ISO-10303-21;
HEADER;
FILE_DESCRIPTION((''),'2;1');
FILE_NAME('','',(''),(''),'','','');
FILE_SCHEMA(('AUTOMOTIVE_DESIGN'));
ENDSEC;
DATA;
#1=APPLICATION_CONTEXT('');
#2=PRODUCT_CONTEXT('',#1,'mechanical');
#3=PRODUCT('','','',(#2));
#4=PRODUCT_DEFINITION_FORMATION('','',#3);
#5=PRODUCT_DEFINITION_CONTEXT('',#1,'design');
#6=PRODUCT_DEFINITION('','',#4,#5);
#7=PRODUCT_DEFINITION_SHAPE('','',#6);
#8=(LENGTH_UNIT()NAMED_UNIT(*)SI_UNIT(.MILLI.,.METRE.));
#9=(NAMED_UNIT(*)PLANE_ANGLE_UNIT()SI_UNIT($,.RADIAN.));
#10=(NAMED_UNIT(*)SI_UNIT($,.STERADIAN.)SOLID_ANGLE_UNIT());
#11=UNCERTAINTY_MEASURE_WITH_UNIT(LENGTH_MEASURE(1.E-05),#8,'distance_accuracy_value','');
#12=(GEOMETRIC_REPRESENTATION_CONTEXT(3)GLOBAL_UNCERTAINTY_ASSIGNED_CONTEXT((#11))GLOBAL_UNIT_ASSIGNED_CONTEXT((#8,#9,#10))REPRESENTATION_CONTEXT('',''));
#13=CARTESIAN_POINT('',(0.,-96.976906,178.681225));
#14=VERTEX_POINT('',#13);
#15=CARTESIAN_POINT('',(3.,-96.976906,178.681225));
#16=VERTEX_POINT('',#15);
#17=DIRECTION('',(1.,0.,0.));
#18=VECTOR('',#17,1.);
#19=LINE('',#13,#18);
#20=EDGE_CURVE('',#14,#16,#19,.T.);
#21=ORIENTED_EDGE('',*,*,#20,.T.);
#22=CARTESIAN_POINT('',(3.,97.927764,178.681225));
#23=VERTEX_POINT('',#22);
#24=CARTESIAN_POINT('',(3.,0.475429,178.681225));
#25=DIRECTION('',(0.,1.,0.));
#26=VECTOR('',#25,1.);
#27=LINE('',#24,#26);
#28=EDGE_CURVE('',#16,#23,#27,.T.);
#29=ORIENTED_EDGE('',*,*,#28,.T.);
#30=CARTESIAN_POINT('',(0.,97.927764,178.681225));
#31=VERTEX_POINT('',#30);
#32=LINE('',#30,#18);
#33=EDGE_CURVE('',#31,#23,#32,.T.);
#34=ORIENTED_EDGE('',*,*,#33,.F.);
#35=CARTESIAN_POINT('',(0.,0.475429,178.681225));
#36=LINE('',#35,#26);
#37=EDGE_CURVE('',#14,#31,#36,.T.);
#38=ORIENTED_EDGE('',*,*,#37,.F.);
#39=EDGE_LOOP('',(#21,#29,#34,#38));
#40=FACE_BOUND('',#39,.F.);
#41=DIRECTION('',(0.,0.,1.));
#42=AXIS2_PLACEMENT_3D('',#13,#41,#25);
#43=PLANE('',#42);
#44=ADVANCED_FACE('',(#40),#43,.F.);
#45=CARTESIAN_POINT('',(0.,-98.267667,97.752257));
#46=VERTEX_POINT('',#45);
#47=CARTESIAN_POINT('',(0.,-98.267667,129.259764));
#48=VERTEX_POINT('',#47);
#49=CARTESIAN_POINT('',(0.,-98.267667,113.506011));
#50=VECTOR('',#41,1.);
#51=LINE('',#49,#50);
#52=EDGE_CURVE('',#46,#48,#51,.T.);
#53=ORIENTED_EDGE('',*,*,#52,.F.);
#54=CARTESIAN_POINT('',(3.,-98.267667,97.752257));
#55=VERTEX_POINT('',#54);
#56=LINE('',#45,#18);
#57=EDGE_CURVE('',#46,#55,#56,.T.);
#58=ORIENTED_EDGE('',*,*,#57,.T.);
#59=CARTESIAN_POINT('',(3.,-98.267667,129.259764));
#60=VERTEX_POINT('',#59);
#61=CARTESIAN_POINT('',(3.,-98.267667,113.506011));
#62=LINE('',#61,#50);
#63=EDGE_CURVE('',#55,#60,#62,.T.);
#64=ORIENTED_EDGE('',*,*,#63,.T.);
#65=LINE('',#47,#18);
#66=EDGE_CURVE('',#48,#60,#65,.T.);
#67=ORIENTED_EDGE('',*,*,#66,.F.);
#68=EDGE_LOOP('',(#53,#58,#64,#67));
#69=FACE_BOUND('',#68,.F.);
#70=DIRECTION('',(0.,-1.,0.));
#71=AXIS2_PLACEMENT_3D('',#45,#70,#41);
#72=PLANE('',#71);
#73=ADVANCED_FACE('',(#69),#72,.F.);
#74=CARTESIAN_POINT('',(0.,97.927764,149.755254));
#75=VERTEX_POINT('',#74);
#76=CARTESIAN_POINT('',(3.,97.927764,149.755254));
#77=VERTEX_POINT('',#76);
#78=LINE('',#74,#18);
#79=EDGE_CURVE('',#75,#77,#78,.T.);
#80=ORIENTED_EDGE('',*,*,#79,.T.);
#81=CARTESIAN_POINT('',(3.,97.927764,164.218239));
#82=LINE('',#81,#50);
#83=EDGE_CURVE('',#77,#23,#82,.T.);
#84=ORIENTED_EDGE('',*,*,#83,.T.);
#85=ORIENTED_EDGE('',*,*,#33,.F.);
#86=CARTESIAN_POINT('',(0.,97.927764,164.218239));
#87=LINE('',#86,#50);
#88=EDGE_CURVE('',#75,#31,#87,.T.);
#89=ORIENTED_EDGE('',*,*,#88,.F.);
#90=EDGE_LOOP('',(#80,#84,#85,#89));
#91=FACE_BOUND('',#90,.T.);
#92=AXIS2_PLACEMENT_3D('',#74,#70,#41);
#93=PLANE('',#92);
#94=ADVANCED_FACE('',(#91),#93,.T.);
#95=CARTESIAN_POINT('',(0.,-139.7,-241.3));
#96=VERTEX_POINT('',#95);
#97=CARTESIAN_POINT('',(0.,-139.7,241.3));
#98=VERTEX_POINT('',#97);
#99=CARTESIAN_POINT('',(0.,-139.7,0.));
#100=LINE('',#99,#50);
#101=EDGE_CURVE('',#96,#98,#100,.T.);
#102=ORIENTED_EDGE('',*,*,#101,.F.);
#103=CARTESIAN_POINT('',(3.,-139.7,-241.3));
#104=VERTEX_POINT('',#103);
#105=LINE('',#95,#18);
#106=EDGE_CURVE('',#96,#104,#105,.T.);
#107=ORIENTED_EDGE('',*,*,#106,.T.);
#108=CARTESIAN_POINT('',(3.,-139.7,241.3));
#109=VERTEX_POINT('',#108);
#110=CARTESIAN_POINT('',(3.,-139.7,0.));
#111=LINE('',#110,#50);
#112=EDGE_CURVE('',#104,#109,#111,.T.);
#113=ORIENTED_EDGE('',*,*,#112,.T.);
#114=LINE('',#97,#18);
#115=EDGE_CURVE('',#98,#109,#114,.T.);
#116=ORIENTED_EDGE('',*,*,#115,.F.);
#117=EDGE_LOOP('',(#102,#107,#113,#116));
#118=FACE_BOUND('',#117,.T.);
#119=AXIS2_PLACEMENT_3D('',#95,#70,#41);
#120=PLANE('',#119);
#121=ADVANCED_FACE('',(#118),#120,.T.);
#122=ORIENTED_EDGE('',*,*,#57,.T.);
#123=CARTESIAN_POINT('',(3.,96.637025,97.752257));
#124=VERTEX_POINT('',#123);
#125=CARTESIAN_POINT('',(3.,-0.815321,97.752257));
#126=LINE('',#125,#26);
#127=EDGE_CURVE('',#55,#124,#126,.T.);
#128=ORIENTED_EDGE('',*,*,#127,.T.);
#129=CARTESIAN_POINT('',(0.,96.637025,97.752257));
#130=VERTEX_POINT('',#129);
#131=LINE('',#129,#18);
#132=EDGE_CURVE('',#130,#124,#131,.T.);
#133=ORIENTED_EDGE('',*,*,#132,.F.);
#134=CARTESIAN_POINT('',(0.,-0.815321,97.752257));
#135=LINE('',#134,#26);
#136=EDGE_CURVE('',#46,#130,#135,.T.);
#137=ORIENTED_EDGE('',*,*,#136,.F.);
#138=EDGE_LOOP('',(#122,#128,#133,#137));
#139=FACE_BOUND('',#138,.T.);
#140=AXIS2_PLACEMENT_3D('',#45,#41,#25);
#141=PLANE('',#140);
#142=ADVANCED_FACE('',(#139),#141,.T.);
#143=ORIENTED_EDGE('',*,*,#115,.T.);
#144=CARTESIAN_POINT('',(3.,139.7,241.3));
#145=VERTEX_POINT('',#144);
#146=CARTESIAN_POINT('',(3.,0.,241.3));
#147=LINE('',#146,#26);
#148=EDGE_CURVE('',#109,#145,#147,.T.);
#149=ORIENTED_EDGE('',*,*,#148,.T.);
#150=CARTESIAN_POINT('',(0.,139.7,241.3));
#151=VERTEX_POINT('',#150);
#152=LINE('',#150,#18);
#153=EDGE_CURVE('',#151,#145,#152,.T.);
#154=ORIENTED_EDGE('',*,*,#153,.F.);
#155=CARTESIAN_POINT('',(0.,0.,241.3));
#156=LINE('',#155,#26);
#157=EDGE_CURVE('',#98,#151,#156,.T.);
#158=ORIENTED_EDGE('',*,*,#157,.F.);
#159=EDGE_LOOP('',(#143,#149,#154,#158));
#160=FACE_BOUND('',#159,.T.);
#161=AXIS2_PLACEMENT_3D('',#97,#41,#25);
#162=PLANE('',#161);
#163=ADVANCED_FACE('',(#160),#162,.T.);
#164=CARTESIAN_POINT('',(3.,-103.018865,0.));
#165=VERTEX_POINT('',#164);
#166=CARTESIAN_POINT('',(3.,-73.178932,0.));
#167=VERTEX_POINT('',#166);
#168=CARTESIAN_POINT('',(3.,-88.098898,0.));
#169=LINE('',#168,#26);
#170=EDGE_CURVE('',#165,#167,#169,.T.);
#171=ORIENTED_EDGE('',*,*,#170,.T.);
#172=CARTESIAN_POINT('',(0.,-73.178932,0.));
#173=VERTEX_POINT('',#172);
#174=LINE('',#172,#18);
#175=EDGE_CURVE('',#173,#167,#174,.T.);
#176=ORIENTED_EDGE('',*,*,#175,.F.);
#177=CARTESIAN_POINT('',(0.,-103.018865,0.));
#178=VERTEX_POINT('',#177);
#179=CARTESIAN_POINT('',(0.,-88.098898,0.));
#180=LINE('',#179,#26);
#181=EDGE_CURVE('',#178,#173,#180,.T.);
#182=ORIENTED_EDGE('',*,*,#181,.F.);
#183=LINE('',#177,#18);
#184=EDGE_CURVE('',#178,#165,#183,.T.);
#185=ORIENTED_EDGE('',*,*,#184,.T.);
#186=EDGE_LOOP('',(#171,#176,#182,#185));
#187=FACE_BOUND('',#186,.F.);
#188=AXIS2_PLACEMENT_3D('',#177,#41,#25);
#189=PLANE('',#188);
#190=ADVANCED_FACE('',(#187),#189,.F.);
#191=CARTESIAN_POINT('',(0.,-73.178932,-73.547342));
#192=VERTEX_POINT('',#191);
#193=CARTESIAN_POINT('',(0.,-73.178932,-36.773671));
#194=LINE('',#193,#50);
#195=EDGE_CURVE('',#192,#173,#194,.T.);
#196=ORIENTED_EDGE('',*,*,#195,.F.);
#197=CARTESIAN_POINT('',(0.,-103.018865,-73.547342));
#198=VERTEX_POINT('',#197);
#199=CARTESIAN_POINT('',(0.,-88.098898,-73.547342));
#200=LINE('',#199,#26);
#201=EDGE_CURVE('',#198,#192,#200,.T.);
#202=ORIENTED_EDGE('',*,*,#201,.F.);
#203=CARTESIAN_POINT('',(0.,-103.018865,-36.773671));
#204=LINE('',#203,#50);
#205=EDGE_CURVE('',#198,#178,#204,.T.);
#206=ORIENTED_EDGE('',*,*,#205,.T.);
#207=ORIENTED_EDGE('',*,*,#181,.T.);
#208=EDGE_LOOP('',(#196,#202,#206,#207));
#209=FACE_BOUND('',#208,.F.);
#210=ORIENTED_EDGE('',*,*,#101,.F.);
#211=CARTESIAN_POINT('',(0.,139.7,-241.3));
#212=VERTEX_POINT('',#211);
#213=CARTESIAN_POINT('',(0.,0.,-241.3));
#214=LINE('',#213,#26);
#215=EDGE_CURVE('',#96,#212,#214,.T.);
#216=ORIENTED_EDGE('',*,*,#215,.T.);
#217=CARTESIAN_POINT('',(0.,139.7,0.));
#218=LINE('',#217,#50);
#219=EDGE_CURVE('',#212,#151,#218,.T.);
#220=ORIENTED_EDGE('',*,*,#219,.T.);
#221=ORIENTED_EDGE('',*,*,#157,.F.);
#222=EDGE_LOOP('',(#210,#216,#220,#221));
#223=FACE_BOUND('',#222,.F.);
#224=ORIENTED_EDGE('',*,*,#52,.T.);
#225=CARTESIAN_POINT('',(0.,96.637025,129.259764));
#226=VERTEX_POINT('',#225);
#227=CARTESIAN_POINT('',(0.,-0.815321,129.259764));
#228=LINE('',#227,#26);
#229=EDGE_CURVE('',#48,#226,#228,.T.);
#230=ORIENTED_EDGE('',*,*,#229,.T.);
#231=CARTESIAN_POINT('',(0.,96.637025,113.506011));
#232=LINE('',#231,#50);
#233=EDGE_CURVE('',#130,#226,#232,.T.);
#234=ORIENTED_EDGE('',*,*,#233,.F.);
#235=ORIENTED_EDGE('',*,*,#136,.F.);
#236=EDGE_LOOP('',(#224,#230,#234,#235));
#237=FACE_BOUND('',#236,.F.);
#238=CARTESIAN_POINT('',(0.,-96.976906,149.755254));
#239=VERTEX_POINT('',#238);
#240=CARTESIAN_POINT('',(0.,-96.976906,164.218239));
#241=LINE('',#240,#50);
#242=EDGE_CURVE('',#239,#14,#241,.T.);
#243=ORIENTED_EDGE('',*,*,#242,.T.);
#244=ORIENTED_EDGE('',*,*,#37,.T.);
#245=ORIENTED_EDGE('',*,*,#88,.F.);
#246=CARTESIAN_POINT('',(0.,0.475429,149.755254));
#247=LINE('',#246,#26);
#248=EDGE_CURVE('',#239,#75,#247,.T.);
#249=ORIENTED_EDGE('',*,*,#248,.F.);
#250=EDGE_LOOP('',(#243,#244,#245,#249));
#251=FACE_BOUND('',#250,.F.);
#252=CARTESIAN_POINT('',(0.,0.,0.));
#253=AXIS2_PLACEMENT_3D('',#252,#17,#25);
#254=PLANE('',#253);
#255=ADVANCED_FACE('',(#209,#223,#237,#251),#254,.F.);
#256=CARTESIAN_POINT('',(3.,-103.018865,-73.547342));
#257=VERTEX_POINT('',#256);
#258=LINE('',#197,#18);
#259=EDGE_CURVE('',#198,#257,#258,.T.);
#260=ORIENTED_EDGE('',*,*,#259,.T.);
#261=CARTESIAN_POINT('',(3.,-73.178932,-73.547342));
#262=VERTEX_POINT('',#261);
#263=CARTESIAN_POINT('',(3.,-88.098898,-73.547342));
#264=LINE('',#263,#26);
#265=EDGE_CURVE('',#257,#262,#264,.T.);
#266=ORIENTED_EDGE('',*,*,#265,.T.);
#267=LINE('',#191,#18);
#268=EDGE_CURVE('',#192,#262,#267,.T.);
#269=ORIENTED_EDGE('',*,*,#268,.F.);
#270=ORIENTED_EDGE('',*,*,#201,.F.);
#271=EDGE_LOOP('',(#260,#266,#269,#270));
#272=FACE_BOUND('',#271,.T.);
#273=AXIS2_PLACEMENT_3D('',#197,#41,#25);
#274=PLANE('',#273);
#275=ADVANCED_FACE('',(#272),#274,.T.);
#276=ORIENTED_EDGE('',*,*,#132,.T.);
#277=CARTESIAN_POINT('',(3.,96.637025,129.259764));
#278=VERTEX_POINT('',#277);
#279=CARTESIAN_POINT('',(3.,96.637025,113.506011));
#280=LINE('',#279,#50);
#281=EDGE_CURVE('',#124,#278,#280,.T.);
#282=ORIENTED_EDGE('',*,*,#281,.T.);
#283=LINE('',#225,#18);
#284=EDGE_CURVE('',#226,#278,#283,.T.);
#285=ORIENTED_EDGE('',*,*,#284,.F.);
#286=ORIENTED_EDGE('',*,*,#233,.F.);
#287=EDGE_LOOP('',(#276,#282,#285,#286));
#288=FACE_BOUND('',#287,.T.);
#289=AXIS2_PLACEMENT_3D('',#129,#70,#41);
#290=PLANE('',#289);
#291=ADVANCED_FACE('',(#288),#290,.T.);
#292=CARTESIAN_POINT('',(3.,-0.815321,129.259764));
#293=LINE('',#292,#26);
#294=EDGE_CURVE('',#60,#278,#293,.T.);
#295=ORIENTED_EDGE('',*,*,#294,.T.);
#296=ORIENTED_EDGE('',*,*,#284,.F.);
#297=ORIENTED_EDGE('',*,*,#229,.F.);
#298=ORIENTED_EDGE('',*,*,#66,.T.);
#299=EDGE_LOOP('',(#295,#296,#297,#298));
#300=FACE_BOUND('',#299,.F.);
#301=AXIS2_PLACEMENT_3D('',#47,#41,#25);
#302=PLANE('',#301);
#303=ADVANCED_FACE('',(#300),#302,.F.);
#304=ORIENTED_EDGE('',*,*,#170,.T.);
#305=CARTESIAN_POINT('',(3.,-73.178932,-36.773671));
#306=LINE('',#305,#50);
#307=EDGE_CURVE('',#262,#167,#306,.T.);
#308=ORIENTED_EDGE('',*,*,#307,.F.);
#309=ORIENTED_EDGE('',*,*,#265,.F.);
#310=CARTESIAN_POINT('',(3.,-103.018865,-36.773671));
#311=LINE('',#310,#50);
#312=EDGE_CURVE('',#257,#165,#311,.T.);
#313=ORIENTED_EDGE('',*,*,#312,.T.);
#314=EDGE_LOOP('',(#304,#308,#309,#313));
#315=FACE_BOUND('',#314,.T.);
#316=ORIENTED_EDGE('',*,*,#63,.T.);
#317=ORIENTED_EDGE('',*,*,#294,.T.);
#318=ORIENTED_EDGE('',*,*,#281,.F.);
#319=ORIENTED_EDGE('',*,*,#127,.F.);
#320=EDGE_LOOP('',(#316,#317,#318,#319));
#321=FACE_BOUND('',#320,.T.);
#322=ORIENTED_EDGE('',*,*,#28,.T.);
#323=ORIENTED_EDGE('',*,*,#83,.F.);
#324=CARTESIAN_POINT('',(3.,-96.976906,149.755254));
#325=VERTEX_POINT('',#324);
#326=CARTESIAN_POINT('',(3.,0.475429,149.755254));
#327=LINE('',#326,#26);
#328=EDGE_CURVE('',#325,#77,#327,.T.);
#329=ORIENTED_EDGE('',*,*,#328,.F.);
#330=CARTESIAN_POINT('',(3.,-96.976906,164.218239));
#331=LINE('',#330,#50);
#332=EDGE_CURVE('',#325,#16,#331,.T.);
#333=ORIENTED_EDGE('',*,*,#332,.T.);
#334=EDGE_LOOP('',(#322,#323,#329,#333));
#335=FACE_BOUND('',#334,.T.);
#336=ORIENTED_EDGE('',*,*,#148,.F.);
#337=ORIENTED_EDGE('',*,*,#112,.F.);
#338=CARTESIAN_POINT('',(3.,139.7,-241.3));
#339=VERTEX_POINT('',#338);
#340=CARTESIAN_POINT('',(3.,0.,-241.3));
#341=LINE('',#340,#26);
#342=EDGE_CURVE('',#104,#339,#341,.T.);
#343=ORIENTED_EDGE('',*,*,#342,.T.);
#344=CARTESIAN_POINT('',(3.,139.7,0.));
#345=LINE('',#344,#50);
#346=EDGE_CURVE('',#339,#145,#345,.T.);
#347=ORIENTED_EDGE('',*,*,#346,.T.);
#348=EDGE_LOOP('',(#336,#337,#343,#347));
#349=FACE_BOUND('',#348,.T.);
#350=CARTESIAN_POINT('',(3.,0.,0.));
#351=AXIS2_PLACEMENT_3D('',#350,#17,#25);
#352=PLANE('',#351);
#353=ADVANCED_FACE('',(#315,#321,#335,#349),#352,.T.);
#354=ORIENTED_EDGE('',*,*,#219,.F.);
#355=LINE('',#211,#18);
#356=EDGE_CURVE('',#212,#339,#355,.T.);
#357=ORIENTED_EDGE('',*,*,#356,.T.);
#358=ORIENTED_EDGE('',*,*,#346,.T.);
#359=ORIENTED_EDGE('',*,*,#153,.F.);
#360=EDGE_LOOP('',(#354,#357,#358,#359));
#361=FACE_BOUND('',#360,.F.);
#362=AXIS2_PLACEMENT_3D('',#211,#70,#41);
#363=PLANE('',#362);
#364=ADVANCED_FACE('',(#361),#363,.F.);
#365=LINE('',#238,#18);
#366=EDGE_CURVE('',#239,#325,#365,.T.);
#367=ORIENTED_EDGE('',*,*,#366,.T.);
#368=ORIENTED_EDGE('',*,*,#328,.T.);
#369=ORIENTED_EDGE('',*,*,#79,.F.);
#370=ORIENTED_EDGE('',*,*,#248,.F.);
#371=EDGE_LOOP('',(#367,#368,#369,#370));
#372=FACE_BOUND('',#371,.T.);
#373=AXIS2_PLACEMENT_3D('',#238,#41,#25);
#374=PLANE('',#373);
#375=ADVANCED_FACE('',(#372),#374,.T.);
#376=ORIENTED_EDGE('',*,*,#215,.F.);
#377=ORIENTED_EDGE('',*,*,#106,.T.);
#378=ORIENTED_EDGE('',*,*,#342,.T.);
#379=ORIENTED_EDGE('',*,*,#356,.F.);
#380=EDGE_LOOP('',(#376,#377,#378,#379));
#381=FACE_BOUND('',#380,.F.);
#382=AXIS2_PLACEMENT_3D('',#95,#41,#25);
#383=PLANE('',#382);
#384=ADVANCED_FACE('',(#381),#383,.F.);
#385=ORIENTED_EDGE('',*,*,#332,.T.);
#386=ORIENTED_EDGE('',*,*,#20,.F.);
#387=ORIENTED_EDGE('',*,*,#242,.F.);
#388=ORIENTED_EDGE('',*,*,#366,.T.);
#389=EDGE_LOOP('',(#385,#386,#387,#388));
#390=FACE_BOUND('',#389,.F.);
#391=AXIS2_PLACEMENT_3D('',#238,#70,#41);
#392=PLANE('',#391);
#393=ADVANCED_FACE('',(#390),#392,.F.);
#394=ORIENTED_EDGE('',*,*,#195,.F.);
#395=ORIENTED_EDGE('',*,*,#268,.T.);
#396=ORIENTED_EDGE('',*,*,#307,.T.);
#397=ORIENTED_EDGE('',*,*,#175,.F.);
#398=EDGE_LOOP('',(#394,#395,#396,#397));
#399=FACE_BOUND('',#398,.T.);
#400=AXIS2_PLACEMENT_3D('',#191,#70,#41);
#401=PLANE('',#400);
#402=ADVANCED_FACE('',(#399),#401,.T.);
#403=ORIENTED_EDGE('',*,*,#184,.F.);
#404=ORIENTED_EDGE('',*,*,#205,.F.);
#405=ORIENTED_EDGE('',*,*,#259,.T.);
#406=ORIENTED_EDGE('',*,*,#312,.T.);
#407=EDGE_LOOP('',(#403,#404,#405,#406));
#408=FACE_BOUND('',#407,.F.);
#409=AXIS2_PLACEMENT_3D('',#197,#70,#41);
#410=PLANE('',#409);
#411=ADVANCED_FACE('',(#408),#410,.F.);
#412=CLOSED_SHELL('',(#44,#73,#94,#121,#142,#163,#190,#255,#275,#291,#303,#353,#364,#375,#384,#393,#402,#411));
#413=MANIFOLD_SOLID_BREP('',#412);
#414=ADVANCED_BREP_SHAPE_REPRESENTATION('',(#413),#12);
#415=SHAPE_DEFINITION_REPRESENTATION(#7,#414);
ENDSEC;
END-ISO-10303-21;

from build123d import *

# Parameters (mm, degrees)
F0_W     = 279.4
F0_H     = 482.6
F0_W_2   = 29.839933
F0_H_2   = 73.547341
F0_W_3   = 194.904692
F0_H_3   = 31.507507
F0_W_4   = 194.90467
F0_H_4   = 28.925971
F1_DEPTH = 3


with BuildPart() as f1:
    # F0 (on Right) → F1 (new body)
    with BuildSketch(Plane.YZ):
        Rectangle(F0_W, F0_H)
        with Locations((-88.098898, -36.773671)):
            Rectangle(F0_W_2, F0_H_2, mode=Mode.SUBTRACT)
        with Locations((-0.815321, 113.506011)):
            Rectangle(F0_W_3, F0_H_3, mode=Mode.SUBTRACT)
        with Locations((0.475429, 164.218239)):
            Rectangle(F0_W_4, F0_H_4, mode=Mode.SUBTRACT)
    extrude(amount=F1_DEPTH)


solid = f1.part
